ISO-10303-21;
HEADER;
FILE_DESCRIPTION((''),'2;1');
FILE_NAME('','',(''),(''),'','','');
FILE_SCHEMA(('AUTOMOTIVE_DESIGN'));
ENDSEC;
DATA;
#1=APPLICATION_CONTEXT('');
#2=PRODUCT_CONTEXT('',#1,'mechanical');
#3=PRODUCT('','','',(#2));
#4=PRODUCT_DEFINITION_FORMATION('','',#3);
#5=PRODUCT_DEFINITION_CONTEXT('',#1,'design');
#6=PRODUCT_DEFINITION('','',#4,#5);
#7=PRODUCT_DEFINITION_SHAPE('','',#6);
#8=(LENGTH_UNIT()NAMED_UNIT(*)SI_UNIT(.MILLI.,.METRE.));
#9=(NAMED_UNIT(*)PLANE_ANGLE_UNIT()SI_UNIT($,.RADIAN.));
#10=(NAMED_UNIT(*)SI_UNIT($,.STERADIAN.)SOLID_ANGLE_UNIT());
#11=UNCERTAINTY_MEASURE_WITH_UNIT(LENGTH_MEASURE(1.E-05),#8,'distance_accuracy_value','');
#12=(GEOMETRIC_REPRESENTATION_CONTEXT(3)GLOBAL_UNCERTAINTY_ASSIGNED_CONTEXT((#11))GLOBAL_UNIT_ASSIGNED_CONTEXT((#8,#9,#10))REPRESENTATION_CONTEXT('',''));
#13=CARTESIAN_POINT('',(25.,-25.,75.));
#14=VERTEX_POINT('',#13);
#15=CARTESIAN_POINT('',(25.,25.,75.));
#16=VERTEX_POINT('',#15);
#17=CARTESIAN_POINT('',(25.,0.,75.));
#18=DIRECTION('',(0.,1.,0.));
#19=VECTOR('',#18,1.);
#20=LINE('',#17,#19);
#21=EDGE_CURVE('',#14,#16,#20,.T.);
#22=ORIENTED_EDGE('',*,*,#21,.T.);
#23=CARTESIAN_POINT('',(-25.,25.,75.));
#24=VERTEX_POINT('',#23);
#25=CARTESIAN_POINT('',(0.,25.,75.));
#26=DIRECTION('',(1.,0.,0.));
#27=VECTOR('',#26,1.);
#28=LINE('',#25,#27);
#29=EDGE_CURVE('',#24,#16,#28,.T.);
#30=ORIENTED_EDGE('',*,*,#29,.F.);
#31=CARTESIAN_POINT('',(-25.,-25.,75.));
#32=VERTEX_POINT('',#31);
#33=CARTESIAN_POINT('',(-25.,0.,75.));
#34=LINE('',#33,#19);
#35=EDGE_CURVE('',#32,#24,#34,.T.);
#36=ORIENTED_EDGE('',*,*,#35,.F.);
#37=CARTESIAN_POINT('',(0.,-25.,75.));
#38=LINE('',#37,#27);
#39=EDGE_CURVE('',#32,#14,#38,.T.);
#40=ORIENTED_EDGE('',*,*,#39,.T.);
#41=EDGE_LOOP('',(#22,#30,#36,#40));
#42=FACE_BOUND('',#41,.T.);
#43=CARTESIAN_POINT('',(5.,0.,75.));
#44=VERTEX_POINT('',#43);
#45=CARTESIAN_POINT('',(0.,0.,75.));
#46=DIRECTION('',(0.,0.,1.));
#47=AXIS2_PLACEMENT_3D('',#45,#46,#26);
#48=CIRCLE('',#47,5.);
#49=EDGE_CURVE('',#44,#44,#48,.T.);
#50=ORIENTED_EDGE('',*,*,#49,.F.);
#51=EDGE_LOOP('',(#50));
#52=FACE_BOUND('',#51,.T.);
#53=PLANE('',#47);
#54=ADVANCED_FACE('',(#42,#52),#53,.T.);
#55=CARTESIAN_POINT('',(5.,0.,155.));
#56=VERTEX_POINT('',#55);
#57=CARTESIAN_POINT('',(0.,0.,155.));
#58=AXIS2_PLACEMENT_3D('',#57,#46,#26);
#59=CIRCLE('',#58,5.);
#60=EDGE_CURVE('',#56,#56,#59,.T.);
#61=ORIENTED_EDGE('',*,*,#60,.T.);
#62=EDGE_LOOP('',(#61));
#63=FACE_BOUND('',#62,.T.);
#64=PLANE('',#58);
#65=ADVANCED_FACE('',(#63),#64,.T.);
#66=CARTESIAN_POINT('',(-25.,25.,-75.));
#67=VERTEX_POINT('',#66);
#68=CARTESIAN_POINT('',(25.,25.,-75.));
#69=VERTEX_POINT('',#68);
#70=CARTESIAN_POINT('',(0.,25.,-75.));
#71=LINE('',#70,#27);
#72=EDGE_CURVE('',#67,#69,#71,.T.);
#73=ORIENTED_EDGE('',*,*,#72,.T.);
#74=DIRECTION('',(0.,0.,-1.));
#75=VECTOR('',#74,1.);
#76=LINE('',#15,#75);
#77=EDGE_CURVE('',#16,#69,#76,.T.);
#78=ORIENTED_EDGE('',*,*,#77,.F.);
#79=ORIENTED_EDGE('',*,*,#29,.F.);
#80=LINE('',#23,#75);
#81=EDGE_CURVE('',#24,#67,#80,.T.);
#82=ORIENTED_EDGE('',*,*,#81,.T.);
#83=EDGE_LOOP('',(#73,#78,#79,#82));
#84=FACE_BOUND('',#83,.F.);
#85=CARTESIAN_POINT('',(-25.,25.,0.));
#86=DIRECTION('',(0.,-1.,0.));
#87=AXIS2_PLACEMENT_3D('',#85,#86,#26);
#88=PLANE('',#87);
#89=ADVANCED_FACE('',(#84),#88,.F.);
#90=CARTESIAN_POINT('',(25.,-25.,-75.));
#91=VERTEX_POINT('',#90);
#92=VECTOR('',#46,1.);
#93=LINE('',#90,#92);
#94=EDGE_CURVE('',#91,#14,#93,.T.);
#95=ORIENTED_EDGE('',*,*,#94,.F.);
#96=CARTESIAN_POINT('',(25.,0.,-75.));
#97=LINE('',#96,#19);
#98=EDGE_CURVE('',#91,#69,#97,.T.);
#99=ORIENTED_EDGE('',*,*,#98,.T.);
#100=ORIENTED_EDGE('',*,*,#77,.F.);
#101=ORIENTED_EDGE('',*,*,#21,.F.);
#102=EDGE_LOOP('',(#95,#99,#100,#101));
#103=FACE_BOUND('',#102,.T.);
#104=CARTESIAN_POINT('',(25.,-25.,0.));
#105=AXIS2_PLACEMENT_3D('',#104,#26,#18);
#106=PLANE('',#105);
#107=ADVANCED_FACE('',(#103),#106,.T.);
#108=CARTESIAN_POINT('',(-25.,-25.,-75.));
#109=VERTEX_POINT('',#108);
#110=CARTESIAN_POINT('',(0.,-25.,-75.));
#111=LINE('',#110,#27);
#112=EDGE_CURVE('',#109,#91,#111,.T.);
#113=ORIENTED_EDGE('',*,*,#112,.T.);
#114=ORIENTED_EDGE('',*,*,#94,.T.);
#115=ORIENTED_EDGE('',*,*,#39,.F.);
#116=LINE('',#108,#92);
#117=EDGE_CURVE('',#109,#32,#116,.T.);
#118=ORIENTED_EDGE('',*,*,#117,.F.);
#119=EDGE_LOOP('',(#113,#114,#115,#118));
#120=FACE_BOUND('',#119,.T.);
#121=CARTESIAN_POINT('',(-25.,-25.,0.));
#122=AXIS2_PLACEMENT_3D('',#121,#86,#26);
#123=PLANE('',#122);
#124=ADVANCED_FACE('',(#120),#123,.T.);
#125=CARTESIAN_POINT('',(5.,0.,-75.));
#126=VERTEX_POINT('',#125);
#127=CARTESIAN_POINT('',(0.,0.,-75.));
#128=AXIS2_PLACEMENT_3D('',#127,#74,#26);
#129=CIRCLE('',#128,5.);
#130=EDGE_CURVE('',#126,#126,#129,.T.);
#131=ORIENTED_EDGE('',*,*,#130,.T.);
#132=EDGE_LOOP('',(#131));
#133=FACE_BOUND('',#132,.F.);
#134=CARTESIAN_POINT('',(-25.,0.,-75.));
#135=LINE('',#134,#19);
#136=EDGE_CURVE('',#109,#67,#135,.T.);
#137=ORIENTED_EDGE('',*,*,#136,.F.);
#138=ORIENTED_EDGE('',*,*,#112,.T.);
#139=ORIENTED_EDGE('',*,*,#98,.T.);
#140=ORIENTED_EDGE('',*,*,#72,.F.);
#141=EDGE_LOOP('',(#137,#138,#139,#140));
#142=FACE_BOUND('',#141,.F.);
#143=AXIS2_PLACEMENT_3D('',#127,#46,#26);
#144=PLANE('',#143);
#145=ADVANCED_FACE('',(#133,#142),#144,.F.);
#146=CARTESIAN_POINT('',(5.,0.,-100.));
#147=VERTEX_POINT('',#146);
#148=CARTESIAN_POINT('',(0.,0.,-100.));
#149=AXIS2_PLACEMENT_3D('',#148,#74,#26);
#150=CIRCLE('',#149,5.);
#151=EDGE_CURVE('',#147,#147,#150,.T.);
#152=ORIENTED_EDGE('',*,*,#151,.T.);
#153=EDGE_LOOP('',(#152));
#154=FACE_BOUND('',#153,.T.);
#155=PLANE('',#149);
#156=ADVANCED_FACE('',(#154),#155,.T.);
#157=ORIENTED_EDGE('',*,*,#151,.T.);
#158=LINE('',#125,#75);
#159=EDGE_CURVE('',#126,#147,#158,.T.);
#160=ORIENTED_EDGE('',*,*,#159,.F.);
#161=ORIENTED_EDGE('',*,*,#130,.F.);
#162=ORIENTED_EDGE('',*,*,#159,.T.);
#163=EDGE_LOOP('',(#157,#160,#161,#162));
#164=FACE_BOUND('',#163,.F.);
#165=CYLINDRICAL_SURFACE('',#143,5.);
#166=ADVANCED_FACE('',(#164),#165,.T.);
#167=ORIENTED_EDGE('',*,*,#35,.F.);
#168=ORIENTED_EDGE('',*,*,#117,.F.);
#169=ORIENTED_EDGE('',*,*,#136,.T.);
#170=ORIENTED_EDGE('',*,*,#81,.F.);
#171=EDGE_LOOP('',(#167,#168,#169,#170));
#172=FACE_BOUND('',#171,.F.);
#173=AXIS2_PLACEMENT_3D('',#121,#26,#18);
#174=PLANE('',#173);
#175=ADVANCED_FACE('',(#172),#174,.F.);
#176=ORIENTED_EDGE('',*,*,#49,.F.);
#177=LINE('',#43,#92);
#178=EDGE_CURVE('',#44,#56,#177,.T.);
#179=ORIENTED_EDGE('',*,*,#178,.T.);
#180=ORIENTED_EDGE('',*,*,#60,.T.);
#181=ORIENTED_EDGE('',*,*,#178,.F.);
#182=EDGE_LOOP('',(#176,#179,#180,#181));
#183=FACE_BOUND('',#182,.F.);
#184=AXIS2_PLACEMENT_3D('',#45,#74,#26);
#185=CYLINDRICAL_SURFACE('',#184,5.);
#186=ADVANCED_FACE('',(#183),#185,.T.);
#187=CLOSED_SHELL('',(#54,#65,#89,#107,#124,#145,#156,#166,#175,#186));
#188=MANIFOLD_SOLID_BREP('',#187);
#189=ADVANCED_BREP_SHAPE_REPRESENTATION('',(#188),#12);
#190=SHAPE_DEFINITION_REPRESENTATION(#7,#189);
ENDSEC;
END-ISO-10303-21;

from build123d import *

# Parameters (mm, degrees)
F0_W     = 50
F0_H     = 50
F1_DEPTH = 75
F2_R     = 5
F3_DEPTH = 80
F4_R     = 5
F5_DEPTH = 25


with BuildPart() as f1:
    # F0 (on Top) → F1 (new body, symmetric)
    with BuildSketch(Plane.XY):
        Rectangle(F0_W, F0_H)
    extrude(amount=F1_DEPTH, both=True)

    # F2 (on face) → F3 (join)
    with BuildSketch(Plane.XY.offset(75)):
        Circle(F2_R)
    extrude(amount=F3_DEPTH)

    # F4 (on face) → F5 (join)
    with BuildSketch(Plane(origin=(0, 0, -75), x_dir=(1, 0, 0), z_dir=(0, 0, -1))):
        Circle(F4_R)
    extrude(amount=F5_DEPTH)


solid = f1.part
